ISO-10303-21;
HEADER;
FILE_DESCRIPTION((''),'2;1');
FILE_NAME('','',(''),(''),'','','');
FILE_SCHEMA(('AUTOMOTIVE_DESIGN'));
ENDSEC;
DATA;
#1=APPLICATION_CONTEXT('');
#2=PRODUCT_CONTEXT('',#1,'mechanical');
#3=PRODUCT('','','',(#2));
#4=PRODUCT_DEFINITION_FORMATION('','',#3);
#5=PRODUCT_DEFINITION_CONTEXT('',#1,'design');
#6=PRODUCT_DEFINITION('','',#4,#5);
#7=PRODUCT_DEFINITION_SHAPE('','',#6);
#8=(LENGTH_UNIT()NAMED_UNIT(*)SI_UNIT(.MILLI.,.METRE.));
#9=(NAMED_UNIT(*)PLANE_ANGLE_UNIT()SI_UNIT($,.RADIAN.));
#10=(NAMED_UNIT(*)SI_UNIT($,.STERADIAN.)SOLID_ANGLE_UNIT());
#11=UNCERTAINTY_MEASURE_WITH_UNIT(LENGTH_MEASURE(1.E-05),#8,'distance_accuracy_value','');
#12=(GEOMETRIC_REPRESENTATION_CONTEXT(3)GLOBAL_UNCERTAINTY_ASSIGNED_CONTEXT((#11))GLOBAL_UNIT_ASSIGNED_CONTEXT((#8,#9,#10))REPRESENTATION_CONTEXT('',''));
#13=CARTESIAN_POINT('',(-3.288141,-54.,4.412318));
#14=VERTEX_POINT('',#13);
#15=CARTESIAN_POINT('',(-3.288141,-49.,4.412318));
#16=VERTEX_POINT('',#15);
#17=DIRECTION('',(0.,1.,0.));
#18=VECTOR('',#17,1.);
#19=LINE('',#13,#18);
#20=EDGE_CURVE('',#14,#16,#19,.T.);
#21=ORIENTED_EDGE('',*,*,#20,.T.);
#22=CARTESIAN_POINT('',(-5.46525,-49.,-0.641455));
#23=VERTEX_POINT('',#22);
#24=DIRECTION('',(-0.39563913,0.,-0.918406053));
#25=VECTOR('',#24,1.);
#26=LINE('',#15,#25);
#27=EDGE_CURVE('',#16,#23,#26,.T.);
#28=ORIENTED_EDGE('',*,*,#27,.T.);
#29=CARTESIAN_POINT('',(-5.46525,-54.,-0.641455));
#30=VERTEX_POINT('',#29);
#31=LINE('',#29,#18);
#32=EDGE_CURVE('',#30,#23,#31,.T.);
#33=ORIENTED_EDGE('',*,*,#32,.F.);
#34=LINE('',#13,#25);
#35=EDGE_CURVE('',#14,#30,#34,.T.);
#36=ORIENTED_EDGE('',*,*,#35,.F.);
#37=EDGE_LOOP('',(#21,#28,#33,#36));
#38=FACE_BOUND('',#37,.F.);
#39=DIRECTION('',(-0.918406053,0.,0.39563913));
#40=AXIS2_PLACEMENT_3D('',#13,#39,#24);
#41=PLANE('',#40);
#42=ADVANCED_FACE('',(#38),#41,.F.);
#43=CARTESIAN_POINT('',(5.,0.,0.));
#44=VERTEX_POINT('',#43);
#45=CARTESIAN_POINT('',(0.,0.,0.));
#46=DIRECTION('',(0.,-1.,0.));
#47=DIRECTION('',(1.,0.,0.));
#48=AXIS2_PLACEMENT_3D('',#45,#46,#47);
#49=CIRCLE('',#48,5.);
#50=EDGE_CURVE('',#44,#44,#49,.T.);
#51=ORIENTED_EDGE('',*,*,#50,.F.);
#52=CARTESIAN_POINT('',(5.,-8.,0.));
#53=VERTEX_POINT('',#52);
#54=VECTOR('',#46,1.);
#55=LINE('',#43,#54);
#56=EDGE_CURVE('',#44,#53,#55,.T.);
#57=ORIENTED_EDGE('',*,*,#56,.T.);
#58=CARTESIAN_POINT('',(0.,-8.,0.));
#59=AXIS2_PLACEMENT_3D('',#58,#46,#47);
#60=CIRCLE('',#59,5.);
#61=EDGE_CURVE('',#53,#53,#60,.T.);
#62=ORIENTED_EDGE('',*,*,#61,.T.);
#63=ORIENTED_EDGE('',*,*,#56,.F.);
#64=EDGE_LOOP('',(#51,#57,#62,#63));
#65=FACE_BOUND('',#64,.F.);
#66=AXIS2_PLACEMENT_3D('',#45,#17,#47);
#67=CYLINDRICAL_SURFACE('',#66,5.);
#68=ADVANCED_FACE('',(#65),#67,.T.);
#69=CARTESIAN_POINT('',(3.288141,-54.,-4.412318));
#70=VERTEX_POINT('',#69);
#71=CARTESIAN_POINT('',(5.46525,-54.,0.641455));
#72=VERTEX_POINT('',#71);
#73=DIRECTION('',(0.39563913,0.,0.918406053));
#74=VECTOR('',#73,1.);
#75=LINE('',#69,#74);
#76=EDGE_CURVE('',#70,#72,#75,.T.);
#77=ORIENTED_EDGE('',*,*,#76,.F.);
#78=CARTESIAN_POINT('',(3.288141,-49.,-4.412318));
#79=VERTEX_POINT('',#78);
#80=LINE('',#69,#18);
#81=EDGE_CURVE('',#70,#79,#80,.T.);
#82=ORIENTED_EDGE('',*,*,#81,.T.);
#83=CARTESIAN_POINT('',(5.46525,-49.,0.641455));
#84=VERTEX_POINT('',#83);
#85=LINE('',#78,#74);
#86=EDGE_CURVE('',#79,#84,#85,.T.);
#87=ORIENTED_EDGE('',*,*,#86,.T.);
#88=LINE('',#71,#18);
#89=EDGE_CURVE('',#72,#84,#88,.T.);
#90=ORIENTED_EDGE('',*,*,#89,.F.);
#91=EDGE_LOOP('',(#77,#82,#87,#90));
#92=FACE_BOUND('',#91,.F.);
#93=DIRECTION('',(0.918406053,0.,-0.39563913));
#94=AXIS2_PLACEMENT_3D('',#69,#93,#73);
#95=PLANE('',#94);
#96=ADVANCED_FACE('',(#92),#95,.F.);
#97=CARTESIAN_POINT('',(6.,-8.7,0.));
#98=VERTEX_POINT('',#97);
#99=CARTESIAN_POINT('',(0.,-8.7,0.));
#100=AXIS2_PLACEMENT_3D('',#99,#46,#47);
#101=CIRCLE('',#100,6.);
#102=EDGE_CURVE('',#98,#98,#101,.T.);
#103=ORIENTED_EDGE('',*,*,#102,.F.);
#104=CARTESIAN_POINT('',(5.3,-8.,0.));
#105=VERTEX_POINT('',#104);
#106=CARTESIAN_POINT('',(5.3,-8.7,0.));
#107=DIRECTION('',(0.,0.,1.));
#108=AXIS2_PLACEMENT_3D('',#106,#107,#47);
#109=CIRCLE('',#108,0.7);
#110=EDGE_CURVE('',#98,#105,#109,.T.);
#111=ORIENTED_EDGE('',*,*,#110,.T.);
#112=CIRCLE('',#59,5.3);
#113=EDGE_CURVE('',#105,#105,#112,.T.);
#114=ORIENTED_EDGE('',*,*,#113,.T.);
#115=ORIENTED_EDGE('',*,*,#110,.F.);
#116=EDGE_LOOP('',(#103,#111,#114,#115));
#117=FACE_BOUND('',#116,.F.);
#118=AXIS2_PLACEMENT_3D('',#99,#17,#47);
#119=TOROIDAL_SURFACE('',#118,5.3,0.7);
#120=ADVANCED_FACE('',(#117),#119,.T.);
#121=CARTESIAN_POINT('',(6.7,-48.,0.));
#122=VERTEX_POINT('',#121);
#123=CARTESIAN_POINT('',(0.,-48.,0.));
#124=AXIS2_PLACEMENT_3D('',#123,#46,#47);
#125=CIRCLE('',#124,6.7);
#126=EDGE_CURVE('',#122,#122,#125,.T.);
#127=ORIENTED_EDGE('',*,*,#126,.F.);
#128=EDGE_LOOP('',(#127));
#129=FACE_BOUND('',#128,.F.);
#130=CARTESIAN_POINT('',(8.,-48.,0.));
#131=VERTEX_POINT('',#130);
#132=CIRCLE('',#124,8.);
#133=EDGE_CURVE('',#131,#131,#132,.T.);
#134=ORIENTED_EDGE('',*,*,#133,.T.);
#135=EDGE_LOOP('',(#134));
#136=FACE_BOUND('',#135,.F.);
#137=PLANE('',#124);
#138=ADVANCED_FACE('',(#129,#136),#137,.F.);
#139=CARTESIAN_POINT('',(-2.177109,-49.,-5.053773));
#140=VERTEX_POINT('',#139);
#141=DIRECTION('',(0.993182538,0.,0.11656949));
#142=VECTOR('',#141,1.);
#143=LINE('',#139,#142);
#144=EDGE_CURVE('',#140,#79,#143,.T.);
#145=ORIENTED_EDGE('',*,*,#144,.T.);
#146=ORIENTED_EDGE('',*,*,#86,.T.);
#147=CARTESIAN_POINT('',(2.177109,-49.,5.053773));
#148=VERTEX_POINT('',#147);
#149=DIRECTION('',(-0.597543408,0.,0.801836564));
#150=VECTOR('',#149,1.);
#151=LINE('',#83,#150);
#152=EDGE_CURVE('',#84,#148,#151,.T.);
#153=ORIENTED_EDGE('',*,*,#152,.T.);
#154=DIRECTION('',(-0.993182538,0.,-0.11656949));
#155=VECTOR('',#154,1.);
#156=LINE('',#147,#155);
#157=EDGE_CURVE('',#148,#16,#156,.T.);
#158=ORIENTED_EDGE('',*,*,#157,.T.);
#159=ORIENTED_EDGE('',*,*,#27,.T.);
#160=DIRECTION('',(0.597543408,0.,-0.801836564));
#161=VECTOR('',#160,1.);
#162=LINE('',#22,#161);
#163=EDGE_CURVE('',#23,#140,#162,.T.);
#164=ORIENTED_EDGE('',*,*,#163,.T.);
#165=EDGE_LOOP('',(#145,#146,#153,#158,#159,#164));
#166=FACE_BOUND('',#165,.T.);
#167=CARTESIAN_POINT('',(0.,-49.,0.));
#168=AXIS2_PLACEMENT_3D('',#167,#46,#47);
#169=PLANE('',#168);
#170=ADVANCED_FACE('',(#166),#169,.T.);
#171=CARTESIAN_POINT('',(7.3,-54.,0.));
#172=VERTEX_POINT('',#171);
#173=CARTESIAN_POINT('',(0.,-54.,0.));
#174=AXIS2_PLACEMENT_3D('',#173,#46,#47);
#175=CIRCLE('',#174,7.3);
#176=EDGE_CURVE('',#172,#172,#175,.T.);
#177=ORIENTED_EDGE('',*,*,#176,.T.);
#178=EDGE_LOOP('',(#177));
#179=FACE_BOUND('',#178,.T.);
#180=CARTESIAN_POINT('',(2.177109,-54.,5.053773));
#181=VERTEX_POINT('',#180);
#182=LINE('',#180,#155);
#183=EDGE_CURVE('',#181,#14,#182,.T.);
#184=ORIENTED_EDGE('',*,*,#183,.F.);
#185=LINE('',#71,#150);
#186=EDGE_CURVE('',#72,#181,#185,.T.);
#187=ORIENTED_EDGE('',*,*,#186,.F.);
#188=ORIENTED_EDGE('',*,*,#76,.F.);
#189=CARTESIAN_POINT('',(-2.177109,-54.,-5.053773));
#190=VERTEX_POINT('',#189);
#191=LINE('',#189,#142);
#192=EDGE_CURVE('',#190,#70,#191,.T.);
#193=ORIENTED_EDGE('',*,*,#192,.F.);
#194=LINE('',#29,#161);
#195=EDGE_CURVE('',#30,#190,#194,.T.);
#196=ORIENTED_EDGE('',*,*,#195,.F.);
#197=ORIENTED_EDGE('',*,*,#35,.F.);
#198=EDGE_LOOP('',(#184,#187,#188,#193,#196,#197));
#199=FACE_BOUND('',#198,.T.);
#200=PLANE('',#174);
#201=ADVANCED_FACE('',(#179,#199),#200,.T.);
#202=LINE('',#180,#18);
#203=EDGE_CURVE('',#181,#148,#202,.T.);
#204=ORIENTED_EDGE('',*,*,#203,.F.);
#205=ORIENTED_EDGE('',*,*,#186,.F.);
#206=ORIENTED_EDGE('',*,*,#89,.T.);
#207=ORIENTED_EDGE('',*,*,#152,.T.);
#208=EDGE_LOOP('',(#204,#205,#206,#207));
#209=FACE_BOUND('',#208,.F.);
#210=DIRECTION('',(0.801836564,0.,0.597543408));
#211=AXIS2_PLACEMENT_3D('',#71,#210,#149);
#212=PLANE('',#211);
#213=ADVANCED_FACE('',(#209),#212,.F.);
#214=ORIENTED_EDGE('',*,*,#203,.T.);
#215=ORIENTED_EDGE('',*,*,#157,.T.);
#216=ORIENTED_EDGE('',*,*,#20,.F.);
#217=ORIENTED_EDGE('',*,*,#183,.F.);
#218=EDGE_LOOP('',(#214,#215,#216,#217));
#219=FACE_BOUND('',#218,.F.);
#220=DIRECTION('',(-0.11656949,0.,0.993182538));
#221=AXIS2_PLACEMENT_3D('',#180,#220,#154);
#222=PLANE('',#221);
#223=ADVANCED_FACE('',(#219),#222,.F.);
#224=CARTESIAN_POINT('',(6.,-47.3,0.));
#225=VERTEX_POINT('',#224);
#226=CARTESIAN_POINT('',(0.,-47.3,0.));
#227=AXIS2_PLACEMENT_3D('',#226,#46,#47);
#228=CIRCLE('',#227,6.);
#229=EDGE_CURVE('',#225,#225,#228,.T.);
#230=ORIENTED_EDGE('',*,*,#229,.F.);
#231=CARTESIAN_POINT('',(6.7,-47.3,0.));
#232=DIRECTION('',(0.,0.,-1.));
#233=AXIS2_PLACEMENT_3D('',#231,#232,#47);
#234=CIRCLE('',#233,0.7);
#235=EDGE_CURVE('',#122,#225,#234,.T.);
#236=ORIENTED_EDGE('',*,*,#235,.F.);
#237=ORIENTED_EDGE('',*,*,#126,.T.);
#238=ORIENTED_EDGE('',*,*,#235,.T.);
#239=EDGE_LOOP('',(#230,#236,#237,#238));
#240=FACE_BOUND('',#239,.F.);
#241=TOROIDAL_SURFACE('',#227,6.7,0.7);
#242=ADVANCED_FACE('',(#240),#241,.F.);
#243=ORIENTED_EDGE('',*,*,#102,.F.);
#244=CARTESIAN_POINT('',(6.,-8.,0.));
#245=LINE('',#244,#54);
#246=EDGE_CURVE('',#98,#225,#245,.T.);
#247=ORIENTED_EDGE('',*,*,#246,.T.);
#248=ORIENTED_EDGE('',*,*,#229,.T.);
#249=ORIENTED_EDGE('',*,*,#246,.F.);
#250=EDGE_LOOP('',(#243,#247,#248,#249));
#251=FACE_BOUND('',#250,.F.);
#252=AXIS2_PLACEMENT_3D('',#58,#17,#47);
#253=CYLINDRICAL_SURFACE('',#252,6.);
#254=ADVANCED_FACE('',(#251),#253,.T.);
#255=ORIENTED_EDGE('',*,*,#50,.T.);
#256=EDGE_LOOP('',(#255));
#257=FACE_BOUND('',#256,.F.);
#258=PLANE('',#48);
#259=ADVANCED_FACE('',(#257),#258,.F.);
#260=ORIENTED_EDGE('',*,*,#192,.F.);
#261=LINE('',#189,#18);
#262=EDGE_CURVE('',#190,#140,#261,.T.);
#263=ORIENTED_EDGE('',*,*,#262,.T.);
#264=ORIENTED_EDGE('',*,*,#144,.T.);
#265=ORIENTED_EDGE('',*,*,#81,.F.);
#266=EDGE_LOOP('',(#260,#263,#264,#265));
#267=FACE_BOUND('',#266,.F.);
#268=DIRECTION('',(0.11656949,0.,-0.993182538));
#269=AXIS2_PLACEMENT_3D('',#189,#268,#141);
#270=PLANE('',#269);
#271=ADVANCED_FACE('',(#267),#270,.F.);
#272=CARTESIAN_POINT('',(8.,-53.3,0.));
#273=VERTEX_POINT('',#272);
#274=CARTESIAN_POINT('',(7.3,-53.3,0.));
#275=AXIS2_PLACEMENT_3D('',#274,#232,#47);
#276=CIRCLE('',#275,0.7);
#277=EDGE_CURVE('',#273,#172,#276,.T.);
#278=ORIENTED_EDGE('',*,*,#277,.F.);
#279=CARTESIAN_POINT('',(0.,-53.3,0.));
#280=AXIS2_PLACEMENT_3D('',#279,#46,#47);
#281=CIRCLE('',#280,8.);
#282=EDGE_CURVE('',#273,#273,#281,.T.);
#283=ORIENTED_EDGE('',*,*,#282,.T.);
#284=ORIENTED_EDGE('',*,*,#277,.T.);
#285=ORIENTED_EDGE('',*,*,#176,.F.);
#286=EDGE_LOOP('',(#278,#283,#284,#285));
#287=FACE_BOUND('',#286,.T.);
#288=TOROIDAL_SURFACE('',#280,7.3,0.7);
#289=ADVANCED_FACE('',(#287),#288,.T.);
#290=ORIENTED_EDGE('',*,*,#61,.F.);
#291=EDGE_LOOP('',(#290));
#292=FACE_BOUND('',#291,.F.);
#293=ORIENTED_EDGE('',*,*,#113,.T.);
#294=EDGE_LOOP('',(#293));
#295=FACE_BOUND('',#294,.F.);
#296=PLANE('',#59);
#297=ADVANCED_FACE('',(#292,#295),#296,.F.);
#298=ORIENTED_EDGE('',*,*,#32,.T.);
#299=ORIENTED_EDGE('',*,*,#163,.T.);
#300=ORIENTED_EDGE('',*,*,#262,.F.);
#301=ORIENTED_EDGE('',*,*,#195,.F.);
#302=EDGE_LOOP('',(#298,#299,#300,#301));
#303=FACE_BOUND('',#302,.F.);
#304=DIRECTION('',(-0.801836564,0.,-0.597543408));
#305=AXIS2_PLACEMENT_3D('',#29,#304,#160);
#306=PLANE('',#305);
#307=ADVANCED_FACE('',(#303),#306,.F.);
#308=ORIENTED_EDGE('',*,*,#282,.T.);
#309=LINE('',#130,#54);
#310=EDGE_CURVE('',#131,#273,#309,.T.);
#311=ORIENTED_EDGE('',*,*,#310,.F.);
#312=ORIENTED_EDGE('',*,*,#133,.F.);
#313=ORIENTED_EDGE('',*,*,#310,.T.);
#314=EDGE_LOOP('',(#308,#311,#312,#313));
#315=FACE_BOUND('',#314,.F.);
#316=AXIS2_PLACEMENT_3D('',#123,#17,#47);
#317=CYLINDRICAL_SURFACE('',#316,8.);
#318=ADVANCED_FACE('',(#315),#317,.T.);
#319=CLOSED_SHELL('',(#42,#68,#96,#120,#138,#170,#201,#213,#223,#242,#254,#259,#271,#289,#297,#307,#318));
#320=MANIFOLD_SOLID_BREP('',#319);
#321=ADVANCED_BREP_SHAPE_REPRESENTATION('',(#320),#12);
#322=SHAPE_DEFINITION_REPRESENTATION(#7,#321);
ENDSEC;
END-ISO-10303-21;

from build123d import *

# Parameters (mm, degrees)
F0_R     = 5
F1_DEPTH = 8
F2_R     = 6
F2_R_2   = 5
F3_DEPTH = 40
F4_R     = 8
F4_R_2   = 6
F5_DEPTH = 6
F7_DEPTH = 5
F8_R     = 0.7


with BuildPart() as f1:
    # F0 (on Front) → F1 (new body)
    with BuildSketch(Plane.XZ):
        Circle(F0_R)
    extrude(amount=F1_DEPTH)

    # F2 (on face) → F3 (join)
    with BuildSketch(Plane.XZ.offset(8)):
        Circle(F2_R)
        Circle(F2_R_2, mode=Mode.SUBTRACT)
        Circle(F2_R_2)
    extrude(amount=F3_DEPTH)

    # F4 (on face) → F5 (join)
    with BuildSketch(Plane.XZ.offset(48)):
        Circle(F4_R)
        Circle(F4_R_2, mode=Mode.SUBTRACT)
        Circle(F4_R_2)
    extrude(amount=F5_DEPTH)

    # F6 (on face) → F7 (cut)
    with BuildSketch(Plane.XZ.offset(54)):
        Polygon((3.2881409233, -4.4123181388), (5.4652500594, 0.6414545014), (2.1771091361, 5.0537726402), (-3.2881409233, 4.4123181388), (-5.4652500594, -0.6414545014), (-2.1771091361, -5.0537726402), align=None)
    extrude(amount=-F7_DEPTH, mode=Mode.SUBTRACT)

    # F8
    f8_edges = [f1.edges().sort_by_distance(p)[0] for p in [
        (6, -28, 0),
        (-6, -8, 0),
        (-6, -48, 0),
        (-8, -54, 0),
    ]]
    fillet(f8_edges, radius=F8_R)


solid = f1.part
